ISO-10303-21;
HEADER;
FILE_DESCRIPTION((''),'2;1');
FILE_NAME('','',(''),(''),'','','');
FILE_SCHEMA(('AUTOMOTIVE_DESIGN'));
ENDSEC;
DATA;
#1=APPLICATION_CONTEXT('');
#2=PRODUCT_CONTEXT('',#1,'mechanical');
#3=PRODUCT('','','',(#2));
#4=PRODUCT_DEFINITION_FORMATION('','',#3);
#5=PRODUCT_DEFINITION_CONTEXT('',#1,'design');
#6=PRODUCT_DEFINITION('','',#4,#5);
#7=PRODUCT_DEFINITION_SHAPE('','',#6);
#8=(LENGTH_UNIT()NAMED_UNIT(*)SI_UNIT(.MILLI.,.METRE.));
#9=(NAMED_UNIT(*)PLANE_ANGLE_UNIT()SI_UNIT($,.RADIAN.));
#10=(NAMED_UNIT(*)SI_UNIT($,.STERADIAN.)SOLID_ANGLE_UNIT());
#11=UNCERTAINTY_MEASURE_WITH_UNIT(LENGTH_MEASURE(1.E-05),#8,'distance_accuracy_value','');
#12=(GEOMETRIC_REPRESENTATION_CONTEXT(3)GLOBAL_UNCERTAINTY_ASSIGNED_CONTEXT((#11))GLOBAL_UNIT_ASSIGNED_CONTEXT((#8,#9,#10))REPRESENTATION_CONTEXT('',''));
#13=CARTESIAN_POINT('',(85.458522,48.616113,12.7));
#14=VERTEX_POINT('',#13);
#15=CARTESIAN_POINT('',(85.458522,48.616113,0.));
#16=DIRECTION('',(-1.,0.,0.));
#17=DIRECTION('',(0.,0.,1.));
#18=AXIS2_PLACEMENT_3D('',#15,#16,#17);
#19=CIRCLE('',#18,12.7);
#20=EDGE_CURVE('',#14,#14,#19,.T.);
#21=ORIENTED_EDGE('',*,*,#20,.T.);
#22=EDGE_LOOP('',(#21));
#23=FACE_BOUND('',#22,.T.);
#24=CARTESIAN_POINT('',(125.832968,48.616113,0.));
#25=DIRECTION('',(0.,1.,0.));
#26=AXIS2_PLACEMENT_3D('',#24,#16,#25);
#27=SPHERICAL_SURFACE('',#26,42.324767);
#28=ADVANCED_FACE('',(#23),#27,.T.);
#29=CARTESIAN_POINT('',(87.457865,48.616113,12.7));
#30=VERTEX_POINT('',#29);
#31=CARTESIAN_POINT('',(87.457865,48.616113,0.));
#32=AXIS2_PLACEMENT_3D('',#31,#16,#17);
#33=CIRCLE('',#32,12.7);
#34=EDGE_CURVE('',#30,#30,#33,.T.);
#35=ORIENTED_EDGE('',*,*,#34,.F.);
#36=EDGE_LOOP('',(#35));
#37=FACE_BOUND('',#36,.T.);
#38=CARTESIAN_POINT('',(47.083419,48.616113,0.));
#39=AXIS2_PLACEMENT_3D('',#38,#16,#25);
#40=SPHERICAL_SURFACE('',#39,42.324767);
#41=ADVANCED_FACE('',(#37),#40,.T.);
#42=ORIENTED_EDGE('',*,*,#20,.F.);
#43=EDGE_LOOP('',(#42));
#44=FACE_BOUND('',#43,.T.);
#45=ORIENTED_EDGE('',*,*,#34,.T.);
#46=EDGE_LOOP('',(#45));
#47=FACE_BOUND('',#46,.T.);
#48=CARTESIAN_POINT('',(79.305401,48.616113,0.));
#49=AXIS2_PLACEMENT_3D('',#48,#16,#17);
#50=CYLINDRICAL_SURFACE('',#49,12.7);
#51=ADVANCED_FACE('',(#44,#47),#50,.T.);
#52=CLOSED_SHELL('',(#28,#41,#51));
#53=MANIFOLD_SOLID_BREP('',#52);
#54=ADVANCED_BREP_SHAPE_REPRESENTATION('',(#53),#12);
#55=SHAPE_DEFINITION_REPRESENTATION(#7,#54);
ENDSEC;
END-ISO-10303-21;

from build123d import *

# Parameters (mm, degrees)
SKETCH_1_ONE_SIDE_W = 1.999342857
SKETCH_1_ONE_SIDE_H = 12.7


with BuildPart() as part:
    # 草图1 one side → 旋转1 (revolve)
    with BuildSketch(Plane.XY):
        with Locations((86.458193775, 54.966113023)):
            Rectangle(SKETCH_1_ONE_SIDE_W, SKETCH_1_ONE_SIDE_H)
        with BuildLine():
            Line((83.508201489, 48.616113023), (85.458522346, 48.616113023))
            Line((85.458522346, 48.616113023), (85.458522346, 61.316113023))
            ThreePointArc((85.458522346, 61.316113023), (83.998622986, 55.040553688), (83.508201489, 48.616113023))
        make_face()
        with BuildLine():
            Line((87.457865203, 48.616113023), (89.40818606, 48.616113023))
            ThreePointArc((89.40818606, 48.616113023), (88.917764564, 55.040553688), (87.457865203, 61.316113023))
            Line((87.457865203, 61.316113023), (87.457865203, 48.616113023))
        make_face()
    revolve(axis=Axis((79.305401351, 48.616113023, 0), (1, 0, 0)))


solid = part.part
